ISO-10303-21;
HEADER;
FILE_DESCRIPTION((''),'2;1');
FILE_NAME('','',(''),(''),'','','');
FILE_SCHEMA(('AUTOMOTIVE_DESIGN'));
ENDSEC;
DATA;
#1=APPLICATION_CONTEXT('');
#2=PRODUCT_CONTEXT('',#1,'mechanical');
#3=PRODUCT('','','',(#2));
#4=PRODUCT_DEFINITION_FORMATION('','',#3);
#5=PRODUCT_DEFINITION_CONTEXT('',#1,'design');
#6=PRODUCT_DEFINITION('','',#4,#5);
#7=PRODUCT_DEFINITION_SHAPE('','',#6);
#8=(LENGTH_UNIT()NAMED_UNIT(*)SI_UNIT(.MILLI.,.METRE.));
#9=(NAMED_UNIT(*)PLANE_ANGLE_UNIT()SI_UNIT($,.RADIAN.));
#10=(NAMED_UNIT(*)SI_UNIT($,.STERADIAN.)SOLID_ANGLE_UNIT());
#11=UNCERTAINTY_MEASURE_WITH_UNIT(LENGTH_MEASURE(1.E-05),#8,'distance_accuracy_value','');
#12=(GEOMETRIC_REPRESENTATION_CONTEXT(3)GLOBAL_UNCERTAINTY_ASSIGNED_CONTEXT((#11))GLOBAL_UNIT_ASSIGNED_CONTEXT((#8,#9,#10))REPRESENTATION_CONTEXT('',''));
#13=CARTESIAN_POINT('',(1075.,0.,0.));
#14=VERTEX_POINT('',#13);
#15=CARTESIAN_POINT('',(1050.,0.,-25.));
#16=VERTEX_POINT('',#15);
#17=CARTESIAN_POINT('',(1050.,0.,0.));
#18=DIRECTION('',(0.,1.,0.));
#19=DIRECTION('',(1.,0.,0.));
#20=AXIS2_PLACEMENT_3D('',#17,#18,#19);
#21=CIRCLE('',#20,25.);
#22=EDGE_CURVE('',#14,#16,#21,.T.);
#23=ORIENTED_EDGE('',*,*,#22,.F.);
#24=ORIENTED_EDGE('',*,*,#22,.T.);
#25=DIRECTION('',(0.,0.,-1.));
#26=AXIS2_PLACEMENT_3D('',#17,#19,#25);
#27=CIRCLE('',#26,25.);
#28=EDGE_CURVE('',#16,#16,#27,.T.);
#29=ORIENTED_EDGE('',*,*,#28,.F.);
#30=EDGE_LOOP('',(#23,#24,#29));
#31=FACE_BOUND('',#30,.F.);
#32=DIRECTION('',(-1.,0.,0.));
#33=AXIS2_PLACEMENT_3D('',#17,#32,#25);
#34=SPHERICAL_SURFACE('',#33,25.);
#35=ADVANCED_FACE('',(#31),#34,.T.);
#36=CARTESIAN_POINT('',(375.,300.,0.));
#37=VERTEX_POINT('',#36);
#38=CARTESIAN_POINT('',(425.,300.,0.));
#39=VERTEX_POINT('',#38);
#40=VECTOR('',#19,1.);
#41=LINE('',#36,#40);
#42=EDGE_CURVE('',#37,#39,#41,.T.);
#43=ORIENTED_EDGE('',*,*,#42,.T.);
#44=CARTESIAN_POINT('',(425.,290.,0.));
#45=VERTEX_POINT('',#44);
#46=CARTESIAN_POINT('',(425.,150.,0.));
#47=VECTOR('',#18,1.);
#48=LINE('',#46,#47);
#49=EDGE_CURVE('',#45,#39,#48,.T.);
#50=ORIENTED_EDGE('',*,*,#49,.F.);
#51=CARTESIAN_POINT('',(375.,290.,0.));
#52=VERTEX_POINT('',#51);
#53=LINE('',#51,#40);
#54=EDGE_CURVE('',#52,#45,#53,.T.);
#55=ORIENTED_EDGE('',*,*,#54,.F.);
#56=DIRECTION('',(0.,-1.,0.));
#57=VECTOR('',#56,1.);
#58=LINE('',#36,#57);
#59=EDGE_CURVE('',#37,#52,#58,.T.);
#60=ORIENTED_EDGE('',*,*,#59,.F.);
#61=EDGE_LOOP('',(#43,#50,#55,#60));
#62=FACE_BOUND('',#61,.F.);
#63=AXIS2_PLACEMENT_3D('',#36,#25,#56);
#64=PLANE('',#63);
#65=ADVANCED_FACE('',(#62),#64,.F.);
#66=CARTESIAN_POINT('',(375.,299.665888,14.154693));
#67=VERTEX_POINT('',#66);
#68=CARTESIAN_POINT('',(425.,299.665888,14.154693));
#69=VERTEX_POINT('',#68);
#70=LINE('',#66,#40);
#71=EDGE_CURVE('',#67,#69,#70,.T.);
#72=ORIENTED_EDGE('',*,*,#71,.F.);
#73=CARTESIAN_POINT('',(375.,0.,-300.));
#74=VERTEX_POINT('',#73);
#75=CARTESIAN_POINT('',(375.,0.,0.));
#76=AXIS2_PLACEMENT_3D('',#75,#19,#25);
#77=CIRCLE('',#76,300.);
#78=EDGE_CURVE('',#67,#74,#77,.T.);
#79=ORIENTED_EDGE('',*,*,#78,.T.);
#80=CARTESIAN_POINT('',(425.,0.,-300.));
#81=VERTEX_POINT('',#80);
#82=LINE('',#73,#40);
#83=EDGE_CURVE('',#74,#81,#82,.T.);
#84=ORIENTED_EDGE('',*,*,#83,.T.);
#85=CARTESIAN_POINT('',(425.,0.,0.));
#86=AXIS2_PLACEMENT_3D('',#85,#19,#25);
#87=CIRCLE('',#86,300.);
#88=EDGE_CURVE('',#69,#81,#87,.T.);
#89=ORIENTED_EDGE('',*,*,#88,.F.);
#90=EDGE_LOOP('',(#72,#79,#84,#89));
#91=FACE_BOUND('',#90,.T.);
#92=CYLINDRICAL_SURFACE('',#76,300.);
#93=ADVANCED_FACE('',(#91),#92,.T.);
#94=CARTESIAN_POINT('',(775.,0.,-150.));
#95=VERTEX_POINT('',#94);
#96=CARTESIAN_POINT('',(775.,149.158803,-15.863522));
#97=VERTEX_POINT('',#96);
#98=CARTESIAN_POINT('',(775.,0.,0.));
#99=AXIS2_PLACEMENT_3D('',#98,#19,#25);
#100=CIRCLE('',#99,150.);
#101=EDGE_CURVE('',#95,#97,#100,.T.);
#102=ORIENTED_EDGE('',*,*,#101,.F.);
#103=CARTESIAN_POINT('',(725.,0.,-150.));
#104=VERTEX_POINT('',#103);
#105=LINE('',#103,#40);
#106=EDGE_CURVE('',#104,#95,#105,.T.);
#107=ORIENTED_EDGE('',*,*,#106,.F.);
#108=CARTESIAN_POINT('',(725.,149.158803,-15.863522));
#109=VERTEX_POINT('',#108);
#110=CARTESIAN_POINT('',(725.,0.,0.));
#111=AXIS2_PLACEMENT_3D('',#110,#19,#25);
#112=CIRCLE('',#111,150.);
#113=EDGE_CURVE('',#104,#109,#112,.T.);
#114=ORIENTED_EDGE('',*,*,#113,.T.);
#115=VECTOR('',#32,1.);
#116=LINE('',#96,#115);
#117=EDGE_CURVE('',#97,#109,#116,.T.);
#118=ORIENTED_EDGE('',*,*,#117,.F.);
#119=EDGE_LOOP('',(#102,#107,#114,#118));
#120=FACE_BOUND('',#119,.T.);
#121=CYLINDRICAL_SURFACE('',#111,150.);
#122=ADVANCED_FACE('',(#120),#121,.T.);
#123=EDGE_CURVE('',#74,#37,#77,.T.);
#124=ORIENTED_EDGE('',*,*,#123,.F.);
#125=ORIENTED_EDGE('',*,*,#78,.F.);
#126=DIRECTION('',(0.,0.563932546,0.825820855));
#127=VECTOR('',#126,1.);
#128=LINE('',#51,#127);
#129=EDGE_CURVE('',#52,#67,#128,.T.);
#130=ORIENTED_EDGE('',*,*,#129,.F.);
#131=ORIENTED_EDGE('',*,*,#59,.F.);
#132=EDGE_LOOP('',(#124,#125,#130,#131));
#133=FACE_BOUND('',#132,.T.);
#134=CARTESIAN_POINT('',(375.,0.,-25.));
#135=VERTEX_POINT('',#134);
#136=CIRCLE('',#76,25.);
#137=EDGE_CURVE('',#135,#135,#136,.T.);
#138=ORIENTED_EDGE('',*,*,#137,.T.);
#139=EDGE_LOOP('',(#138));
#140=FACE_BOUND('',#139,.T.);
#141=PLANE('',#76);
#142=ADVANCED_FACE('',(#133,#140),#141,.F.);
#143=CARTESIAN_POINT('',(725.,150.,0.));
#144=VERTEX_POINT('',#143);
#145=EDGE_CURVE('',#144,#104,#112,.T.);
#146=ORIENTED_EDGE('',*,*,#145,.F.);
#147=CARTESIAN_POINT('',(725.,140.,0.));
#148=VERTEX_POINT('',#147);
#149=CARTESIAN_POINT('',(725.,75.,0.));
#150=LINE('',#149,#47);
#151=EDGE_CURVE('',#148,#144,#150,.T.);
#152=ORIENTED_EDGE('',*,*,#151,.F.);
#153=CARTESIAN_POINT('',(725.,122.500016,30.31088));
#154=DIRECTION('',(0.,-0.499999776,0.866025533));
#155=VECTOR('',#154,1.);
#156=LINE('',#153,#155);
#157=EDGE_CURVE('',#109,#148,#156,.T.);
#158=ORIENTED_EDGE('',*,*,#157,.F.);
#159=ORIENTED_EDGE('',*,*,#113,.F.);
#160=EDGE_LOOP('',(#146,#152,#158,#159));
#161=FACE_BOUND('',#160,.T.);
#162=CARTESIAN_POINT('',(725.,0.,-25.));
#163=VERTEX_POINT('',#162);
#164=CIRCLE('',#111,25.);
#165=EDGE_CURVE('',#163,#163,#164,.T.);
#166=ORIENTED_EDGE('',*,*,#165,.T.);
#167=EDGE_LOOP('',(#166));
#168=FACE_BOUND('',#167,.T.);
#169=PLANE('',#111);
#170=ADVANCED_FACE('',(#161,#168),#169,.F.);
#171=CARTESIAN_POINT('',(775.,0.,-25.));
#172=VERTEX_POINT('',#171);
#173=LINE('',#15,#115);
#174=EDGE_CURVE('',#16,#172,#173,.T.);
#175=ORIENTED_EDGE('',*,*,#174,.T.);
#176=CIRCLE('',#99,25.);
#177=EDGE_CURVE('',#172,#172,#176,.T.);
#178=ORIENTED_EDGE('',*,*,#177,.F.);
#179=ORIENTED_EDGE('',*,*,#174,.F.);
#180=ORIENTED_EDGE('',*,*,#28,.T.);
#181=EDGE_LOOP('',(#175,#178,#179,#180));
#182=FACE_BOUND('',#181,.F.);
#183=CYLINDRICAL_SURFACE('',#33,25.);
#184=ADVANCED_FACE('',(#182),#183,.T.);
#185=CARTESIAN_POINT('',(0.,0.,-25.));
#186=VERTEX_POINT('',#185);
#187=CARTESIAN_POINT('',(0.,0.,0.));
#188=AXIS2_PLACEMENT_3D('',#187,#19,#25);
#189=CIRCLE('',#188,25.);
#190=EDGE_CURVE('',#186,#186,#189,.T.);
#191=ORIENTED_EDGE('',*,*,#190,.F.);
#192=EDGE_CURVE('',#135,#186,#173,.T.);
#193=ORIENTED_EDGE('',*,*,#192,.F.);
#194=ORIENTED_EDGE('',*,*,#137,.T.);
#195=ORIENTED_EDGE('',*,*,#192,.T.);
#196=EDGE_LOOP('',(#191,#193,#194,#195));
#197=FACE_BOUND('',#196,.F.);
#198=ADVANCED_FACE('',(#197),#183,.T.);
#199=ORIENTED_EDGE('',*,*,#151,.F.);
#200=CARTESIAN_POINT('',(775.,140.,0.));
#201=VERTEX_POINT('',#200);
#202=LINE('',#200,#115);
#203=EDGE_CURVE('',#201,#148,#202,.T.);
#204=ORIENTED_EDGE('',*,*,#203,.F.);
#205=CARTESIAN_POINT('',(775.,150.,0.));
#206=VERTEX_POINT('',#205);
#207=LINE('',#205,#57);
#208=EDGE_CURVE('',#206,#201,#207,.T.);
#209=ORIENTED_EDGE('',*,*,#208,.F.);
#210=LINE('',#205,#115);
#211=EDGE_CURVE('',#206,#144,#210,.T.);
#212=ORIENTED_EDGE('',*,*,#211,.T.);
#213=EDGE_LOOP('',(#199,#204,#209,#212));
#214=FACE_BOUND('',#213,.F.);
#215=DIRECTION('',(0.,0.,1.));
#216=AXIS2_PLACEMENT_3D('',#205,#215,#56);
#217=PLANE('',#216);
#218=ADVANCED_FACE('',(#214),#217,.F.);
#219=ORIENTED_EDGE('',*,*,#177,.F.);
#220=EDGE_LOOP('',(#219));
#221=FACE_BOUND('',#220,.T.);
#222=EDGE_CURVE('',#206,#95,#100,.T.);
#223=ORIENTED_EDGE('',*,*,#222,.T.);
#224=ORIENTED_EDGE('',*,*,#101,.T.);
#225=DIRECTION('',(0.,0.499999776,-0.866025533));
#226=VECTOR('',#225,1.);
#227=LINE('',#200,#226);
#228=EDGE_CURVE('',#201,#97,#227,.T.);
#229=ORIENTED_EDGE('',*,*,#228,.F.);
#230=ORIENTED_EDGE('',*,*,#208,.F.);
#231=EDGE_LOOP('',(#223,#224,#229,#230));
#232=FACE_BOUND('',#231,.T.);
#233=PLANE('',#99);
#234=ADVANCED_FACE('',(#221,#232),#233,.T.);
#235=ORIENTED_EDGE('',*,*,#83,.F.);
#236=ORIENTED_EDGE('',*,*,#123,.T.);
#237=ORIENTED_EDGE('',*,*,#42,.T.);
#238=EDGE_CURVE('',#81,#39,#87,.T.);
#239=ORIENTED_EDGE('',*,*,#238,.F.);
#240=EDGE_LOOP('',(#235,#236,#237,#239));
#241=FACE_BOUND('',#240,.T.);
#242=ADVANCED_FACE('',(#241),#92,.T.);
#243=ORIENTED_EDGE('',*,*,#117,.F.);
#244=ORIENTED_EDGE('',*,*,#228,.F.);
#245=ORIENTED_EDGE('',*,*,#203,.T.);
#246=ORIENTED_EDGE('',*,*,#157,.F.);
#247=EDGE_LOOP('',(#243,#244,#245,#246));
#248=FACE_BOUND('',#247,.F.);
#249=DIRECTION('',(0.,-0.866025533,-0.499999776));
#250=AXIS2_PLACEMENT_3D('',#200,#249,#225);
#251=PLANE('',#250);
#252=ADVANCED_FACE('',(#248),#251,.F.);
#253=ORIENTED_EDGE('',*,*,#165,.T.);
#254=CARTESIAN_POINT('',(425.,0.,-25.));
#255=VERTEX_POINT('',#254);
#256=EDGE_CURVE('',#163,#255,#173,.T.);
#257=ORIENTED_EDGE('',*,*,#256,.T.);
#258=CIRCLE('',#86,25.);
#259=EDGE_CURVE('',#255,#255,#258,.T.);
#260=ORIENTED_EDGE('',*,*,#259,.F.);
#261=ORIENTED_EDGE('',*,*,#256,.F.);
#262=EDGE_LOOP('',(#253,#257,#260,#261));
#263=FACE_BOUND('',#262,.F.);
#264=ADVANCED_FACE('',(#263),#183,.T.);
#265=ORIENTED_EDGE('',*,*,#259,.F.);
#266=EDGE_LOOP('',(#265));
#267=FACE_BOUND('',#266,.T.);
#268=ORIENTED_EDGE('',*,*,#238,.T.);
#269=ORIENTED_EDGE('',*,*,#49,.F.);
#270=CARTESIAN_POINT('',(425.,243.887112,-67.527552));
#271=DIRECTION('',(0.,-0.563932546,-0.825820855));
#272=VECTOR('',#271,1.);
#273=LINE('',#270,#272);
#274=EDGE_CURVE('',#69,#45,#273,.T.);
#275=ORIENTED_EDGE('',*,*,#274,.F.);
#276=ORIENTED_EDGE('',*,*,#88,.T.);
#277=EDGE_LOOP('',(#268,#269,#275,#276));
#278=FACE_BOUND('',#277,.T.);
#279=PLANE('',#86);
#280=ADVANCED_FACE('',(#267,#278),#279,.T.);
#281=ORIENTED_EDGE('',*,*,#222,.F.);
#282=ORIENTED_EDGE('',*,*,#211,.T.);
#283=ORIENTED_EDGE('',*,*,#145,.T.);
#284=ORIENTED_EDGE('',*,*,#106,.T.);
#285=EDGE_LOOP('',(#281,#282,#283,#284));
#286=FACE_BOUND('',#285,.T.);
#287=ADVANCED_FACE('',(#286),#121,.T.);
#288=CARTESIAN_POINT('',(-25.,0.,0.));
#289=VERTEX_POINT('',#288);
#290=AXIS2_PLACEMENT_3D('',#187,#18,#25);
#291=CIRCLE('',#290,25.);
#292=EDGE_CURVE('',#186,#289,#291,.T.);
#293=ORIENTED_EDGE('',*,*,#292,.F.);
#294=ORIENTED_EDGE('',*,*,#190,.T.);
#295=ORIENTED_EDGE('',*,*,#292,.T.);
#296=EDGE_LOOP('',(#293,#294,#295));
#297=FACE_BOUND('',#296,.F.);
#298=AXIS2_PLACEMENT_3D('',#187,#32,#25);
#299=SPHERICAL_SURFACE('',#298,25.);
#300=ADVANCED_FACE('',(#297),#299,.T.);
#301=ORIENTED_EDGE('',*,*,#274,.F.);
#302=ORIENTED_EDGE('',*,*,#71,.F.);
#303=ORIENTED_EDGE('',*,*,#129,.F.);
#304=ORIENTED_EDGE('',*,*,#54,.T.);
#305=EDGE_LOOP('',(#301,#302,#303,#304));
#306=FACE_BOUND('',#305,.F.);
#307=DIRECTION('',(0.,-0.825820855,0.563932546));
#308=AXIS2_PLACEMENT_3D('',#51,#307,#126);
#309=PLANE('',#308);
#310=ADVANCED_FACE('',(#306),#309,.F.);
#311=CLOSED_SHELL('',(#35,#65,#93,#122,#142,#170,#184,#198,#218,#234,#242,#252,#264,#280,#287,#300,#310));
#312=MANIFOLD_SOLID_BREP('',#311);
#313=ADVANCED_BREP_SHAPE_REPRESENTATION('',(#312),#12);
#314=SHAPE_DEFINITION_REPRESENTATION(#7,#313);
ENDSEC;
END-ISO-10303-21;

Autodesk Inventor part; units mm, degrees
ref_plane "YZ Plane" through (0, 0, 0) normal (1, 0, 0) x (0, 1, 0)
ref_plane "XZ Plane" through (0, 0, 0) normal (0, 1, 0) x (-1, 0, 0)
ref_plane "XY Plane" through (0, 0, 0) normal (0, 0, 1) x (1, 0, 0)
sketch "Sketch1" plane through (0, 0, 0) normal (0, 1, 0) x (-1, 0, 0)
  line L0 (0, 0) -> (-400, 0) construction
  line L1 (-400, 0) -> (-750, 0)
  line L2 (-750, 0) -> (-1050, 0)
  line L3 (-400, 0) -> (-400, -300) construction
  line L4 (-400, -300) -> (-375, -300) construction
  line L5 (-375, -300) -> (-425, -300)
  line L6 (-425, -300) -> (-425, 0)
  line L7 (-425, 0) -> (-375, 0)
  line L8 (-375, 0) -> (-375, -300)
  line L9 (0, 0) -> (-1050, 0)
  line L10 (-1050, 0) -> (-1050, -25)
  line L11 (-1050, -25) -> (0, -25)
  line L12 (0, -25) -> (0, 0)
  arc A0 (0, -25) -> (25, 0) centre (0, 0) ccw
  line L13 (0, 0) -> (25, 0) construction
  line L14 (-750, 0) -> (-750, -150) construction
  line L15 (-750, -150) -> (-725, -150) construction
  line L16 (-725, -150) -> (-775, -150)
  line L17 (-775, -150) -> (-775, 0)
  line L18 (-775, 0) -> (-725, 0)
  line L19 (-725, 0) -> (-725, -150)
  arc A1 (-1075, 0) -> (-1050, -25) centre (-1050, 0) ccw
  line L20 (-1050, 0) -> (-1075, 0)
  line L21 (25, 0) -> (0, 0)
  point P0 (-775, -25)
  point P1 (-725, -25)
  point P2 (-425, -25)
  point P3 (-375, -25)
  dimension "d0" = 400
  dimension "d1" = 350
  dimension "d2" = 300
  dimension "d3" = 300
  dimension "d4" = 25
  dimension "d5" = 50
  dimension "d6" = 1050
  dimension "d7" = 25
  dimension "d8" = 150
  dimension "d9" = 25
  dimension "d10" = 50
revolve "Revolution1" add sketch "Sketch1" angle 360 about axis through (0, 0, 0) along (1, 0, 0)
sketch "Sketch2" plane through (375, 0, 0) normal (-1, 0, 0) x (0, 0, 1)
  circle A0 centre (0, 0) radius 300 projected
  line L0 (0, 300) -> (0, 290)
  line L1 (0, 290) -> (25.5833, 307.4702)
  point P0 (14.1547, 299.6659)
  dimension "d12" = 10
extrude "Extrusion1" cut sketch "Sketch2" against normal blind 284.25 contours A0 L1 L0 picked at (7.8644, 296.5058)
sketch "Sketch3" plane through (775, 0, 0) normal (1, 0, 0) x (0, 0, -1)
  circle A0 centre (0, 0) radius 150 projected
  line L0 (0, 150) -> (0, 140)
  line L1 (0, 140) -> (62.4254, 176.0413)
  point P0 (15.8635, 149.1588)
  dimension "d15" = 10
  dimension "d16" = 60
extrude "Extrusion2" cut sketch "Sketch3" against normal blind 139 contours A0 L1 L0 picked at (8.8167, 146.2616)
sketch "Sketch4" plane through (375, 0, 0) normal (-1, 0, 0) x (0, -0.0236, 0.9997)
  line L0 (7.0793, 299.9165) -> (-6.8433, 289.9192) projected
  line L1 (-6.8433, 289.9192) -> (-7.0793, 299.9165) projected
  arc A0 (-7.0793, 299.9165) -> (7.0793, 299.9165) centre (0, 0) ccw projected
  circle A1 centre (0, 0) radius 25 projected
sketch "Sketch5" plane through (425, 0, 0) normal (1, 0, 0) x (0, 0.0236, -0.9997)
  line L0 (6.8433, 289.9192) -> (-7.0793, 299.9165) projected
  arc A0 (-7.0793, 299.9165) -> (7.0793, 299.9165) centre (0, 0) ccw projected
  line L1 (7.0793, 299.9165) -> (6.8433, 289.9192) projected
  circle A1 centre (0, 0) radius 25 projected
sketch "Sketch6" plane through (725, 140, 0) normal (-1, 0, 0) x (0, 0, 1)
  line L0 (0, 0) -> (-15.8635, 9.1588) projected
  arc A0 (-15.8635, 9.1588) -> (0, 10) centre (0, -140) ccw projected
  line L1 (0, 10) -> (0, 0) projected
  circle A1 centre (0, -140) radius 25 projected
sketch "Sketch7" plane through (775, 140, 0) normal (1, 0, 0) x (0, 0, -1)
  circle A0 centre (0, -140) radius 25 projected
  line L0 (15.8635, 9.1588) -> (0, 0) projected
  line L1 (0, 0) -> (0, 10) projected
  arc A1 (0, 10) -> (15.8635, 9.1588) centre (0, -140) ccw projected
properties part number "shaft_model" material "Steel"
